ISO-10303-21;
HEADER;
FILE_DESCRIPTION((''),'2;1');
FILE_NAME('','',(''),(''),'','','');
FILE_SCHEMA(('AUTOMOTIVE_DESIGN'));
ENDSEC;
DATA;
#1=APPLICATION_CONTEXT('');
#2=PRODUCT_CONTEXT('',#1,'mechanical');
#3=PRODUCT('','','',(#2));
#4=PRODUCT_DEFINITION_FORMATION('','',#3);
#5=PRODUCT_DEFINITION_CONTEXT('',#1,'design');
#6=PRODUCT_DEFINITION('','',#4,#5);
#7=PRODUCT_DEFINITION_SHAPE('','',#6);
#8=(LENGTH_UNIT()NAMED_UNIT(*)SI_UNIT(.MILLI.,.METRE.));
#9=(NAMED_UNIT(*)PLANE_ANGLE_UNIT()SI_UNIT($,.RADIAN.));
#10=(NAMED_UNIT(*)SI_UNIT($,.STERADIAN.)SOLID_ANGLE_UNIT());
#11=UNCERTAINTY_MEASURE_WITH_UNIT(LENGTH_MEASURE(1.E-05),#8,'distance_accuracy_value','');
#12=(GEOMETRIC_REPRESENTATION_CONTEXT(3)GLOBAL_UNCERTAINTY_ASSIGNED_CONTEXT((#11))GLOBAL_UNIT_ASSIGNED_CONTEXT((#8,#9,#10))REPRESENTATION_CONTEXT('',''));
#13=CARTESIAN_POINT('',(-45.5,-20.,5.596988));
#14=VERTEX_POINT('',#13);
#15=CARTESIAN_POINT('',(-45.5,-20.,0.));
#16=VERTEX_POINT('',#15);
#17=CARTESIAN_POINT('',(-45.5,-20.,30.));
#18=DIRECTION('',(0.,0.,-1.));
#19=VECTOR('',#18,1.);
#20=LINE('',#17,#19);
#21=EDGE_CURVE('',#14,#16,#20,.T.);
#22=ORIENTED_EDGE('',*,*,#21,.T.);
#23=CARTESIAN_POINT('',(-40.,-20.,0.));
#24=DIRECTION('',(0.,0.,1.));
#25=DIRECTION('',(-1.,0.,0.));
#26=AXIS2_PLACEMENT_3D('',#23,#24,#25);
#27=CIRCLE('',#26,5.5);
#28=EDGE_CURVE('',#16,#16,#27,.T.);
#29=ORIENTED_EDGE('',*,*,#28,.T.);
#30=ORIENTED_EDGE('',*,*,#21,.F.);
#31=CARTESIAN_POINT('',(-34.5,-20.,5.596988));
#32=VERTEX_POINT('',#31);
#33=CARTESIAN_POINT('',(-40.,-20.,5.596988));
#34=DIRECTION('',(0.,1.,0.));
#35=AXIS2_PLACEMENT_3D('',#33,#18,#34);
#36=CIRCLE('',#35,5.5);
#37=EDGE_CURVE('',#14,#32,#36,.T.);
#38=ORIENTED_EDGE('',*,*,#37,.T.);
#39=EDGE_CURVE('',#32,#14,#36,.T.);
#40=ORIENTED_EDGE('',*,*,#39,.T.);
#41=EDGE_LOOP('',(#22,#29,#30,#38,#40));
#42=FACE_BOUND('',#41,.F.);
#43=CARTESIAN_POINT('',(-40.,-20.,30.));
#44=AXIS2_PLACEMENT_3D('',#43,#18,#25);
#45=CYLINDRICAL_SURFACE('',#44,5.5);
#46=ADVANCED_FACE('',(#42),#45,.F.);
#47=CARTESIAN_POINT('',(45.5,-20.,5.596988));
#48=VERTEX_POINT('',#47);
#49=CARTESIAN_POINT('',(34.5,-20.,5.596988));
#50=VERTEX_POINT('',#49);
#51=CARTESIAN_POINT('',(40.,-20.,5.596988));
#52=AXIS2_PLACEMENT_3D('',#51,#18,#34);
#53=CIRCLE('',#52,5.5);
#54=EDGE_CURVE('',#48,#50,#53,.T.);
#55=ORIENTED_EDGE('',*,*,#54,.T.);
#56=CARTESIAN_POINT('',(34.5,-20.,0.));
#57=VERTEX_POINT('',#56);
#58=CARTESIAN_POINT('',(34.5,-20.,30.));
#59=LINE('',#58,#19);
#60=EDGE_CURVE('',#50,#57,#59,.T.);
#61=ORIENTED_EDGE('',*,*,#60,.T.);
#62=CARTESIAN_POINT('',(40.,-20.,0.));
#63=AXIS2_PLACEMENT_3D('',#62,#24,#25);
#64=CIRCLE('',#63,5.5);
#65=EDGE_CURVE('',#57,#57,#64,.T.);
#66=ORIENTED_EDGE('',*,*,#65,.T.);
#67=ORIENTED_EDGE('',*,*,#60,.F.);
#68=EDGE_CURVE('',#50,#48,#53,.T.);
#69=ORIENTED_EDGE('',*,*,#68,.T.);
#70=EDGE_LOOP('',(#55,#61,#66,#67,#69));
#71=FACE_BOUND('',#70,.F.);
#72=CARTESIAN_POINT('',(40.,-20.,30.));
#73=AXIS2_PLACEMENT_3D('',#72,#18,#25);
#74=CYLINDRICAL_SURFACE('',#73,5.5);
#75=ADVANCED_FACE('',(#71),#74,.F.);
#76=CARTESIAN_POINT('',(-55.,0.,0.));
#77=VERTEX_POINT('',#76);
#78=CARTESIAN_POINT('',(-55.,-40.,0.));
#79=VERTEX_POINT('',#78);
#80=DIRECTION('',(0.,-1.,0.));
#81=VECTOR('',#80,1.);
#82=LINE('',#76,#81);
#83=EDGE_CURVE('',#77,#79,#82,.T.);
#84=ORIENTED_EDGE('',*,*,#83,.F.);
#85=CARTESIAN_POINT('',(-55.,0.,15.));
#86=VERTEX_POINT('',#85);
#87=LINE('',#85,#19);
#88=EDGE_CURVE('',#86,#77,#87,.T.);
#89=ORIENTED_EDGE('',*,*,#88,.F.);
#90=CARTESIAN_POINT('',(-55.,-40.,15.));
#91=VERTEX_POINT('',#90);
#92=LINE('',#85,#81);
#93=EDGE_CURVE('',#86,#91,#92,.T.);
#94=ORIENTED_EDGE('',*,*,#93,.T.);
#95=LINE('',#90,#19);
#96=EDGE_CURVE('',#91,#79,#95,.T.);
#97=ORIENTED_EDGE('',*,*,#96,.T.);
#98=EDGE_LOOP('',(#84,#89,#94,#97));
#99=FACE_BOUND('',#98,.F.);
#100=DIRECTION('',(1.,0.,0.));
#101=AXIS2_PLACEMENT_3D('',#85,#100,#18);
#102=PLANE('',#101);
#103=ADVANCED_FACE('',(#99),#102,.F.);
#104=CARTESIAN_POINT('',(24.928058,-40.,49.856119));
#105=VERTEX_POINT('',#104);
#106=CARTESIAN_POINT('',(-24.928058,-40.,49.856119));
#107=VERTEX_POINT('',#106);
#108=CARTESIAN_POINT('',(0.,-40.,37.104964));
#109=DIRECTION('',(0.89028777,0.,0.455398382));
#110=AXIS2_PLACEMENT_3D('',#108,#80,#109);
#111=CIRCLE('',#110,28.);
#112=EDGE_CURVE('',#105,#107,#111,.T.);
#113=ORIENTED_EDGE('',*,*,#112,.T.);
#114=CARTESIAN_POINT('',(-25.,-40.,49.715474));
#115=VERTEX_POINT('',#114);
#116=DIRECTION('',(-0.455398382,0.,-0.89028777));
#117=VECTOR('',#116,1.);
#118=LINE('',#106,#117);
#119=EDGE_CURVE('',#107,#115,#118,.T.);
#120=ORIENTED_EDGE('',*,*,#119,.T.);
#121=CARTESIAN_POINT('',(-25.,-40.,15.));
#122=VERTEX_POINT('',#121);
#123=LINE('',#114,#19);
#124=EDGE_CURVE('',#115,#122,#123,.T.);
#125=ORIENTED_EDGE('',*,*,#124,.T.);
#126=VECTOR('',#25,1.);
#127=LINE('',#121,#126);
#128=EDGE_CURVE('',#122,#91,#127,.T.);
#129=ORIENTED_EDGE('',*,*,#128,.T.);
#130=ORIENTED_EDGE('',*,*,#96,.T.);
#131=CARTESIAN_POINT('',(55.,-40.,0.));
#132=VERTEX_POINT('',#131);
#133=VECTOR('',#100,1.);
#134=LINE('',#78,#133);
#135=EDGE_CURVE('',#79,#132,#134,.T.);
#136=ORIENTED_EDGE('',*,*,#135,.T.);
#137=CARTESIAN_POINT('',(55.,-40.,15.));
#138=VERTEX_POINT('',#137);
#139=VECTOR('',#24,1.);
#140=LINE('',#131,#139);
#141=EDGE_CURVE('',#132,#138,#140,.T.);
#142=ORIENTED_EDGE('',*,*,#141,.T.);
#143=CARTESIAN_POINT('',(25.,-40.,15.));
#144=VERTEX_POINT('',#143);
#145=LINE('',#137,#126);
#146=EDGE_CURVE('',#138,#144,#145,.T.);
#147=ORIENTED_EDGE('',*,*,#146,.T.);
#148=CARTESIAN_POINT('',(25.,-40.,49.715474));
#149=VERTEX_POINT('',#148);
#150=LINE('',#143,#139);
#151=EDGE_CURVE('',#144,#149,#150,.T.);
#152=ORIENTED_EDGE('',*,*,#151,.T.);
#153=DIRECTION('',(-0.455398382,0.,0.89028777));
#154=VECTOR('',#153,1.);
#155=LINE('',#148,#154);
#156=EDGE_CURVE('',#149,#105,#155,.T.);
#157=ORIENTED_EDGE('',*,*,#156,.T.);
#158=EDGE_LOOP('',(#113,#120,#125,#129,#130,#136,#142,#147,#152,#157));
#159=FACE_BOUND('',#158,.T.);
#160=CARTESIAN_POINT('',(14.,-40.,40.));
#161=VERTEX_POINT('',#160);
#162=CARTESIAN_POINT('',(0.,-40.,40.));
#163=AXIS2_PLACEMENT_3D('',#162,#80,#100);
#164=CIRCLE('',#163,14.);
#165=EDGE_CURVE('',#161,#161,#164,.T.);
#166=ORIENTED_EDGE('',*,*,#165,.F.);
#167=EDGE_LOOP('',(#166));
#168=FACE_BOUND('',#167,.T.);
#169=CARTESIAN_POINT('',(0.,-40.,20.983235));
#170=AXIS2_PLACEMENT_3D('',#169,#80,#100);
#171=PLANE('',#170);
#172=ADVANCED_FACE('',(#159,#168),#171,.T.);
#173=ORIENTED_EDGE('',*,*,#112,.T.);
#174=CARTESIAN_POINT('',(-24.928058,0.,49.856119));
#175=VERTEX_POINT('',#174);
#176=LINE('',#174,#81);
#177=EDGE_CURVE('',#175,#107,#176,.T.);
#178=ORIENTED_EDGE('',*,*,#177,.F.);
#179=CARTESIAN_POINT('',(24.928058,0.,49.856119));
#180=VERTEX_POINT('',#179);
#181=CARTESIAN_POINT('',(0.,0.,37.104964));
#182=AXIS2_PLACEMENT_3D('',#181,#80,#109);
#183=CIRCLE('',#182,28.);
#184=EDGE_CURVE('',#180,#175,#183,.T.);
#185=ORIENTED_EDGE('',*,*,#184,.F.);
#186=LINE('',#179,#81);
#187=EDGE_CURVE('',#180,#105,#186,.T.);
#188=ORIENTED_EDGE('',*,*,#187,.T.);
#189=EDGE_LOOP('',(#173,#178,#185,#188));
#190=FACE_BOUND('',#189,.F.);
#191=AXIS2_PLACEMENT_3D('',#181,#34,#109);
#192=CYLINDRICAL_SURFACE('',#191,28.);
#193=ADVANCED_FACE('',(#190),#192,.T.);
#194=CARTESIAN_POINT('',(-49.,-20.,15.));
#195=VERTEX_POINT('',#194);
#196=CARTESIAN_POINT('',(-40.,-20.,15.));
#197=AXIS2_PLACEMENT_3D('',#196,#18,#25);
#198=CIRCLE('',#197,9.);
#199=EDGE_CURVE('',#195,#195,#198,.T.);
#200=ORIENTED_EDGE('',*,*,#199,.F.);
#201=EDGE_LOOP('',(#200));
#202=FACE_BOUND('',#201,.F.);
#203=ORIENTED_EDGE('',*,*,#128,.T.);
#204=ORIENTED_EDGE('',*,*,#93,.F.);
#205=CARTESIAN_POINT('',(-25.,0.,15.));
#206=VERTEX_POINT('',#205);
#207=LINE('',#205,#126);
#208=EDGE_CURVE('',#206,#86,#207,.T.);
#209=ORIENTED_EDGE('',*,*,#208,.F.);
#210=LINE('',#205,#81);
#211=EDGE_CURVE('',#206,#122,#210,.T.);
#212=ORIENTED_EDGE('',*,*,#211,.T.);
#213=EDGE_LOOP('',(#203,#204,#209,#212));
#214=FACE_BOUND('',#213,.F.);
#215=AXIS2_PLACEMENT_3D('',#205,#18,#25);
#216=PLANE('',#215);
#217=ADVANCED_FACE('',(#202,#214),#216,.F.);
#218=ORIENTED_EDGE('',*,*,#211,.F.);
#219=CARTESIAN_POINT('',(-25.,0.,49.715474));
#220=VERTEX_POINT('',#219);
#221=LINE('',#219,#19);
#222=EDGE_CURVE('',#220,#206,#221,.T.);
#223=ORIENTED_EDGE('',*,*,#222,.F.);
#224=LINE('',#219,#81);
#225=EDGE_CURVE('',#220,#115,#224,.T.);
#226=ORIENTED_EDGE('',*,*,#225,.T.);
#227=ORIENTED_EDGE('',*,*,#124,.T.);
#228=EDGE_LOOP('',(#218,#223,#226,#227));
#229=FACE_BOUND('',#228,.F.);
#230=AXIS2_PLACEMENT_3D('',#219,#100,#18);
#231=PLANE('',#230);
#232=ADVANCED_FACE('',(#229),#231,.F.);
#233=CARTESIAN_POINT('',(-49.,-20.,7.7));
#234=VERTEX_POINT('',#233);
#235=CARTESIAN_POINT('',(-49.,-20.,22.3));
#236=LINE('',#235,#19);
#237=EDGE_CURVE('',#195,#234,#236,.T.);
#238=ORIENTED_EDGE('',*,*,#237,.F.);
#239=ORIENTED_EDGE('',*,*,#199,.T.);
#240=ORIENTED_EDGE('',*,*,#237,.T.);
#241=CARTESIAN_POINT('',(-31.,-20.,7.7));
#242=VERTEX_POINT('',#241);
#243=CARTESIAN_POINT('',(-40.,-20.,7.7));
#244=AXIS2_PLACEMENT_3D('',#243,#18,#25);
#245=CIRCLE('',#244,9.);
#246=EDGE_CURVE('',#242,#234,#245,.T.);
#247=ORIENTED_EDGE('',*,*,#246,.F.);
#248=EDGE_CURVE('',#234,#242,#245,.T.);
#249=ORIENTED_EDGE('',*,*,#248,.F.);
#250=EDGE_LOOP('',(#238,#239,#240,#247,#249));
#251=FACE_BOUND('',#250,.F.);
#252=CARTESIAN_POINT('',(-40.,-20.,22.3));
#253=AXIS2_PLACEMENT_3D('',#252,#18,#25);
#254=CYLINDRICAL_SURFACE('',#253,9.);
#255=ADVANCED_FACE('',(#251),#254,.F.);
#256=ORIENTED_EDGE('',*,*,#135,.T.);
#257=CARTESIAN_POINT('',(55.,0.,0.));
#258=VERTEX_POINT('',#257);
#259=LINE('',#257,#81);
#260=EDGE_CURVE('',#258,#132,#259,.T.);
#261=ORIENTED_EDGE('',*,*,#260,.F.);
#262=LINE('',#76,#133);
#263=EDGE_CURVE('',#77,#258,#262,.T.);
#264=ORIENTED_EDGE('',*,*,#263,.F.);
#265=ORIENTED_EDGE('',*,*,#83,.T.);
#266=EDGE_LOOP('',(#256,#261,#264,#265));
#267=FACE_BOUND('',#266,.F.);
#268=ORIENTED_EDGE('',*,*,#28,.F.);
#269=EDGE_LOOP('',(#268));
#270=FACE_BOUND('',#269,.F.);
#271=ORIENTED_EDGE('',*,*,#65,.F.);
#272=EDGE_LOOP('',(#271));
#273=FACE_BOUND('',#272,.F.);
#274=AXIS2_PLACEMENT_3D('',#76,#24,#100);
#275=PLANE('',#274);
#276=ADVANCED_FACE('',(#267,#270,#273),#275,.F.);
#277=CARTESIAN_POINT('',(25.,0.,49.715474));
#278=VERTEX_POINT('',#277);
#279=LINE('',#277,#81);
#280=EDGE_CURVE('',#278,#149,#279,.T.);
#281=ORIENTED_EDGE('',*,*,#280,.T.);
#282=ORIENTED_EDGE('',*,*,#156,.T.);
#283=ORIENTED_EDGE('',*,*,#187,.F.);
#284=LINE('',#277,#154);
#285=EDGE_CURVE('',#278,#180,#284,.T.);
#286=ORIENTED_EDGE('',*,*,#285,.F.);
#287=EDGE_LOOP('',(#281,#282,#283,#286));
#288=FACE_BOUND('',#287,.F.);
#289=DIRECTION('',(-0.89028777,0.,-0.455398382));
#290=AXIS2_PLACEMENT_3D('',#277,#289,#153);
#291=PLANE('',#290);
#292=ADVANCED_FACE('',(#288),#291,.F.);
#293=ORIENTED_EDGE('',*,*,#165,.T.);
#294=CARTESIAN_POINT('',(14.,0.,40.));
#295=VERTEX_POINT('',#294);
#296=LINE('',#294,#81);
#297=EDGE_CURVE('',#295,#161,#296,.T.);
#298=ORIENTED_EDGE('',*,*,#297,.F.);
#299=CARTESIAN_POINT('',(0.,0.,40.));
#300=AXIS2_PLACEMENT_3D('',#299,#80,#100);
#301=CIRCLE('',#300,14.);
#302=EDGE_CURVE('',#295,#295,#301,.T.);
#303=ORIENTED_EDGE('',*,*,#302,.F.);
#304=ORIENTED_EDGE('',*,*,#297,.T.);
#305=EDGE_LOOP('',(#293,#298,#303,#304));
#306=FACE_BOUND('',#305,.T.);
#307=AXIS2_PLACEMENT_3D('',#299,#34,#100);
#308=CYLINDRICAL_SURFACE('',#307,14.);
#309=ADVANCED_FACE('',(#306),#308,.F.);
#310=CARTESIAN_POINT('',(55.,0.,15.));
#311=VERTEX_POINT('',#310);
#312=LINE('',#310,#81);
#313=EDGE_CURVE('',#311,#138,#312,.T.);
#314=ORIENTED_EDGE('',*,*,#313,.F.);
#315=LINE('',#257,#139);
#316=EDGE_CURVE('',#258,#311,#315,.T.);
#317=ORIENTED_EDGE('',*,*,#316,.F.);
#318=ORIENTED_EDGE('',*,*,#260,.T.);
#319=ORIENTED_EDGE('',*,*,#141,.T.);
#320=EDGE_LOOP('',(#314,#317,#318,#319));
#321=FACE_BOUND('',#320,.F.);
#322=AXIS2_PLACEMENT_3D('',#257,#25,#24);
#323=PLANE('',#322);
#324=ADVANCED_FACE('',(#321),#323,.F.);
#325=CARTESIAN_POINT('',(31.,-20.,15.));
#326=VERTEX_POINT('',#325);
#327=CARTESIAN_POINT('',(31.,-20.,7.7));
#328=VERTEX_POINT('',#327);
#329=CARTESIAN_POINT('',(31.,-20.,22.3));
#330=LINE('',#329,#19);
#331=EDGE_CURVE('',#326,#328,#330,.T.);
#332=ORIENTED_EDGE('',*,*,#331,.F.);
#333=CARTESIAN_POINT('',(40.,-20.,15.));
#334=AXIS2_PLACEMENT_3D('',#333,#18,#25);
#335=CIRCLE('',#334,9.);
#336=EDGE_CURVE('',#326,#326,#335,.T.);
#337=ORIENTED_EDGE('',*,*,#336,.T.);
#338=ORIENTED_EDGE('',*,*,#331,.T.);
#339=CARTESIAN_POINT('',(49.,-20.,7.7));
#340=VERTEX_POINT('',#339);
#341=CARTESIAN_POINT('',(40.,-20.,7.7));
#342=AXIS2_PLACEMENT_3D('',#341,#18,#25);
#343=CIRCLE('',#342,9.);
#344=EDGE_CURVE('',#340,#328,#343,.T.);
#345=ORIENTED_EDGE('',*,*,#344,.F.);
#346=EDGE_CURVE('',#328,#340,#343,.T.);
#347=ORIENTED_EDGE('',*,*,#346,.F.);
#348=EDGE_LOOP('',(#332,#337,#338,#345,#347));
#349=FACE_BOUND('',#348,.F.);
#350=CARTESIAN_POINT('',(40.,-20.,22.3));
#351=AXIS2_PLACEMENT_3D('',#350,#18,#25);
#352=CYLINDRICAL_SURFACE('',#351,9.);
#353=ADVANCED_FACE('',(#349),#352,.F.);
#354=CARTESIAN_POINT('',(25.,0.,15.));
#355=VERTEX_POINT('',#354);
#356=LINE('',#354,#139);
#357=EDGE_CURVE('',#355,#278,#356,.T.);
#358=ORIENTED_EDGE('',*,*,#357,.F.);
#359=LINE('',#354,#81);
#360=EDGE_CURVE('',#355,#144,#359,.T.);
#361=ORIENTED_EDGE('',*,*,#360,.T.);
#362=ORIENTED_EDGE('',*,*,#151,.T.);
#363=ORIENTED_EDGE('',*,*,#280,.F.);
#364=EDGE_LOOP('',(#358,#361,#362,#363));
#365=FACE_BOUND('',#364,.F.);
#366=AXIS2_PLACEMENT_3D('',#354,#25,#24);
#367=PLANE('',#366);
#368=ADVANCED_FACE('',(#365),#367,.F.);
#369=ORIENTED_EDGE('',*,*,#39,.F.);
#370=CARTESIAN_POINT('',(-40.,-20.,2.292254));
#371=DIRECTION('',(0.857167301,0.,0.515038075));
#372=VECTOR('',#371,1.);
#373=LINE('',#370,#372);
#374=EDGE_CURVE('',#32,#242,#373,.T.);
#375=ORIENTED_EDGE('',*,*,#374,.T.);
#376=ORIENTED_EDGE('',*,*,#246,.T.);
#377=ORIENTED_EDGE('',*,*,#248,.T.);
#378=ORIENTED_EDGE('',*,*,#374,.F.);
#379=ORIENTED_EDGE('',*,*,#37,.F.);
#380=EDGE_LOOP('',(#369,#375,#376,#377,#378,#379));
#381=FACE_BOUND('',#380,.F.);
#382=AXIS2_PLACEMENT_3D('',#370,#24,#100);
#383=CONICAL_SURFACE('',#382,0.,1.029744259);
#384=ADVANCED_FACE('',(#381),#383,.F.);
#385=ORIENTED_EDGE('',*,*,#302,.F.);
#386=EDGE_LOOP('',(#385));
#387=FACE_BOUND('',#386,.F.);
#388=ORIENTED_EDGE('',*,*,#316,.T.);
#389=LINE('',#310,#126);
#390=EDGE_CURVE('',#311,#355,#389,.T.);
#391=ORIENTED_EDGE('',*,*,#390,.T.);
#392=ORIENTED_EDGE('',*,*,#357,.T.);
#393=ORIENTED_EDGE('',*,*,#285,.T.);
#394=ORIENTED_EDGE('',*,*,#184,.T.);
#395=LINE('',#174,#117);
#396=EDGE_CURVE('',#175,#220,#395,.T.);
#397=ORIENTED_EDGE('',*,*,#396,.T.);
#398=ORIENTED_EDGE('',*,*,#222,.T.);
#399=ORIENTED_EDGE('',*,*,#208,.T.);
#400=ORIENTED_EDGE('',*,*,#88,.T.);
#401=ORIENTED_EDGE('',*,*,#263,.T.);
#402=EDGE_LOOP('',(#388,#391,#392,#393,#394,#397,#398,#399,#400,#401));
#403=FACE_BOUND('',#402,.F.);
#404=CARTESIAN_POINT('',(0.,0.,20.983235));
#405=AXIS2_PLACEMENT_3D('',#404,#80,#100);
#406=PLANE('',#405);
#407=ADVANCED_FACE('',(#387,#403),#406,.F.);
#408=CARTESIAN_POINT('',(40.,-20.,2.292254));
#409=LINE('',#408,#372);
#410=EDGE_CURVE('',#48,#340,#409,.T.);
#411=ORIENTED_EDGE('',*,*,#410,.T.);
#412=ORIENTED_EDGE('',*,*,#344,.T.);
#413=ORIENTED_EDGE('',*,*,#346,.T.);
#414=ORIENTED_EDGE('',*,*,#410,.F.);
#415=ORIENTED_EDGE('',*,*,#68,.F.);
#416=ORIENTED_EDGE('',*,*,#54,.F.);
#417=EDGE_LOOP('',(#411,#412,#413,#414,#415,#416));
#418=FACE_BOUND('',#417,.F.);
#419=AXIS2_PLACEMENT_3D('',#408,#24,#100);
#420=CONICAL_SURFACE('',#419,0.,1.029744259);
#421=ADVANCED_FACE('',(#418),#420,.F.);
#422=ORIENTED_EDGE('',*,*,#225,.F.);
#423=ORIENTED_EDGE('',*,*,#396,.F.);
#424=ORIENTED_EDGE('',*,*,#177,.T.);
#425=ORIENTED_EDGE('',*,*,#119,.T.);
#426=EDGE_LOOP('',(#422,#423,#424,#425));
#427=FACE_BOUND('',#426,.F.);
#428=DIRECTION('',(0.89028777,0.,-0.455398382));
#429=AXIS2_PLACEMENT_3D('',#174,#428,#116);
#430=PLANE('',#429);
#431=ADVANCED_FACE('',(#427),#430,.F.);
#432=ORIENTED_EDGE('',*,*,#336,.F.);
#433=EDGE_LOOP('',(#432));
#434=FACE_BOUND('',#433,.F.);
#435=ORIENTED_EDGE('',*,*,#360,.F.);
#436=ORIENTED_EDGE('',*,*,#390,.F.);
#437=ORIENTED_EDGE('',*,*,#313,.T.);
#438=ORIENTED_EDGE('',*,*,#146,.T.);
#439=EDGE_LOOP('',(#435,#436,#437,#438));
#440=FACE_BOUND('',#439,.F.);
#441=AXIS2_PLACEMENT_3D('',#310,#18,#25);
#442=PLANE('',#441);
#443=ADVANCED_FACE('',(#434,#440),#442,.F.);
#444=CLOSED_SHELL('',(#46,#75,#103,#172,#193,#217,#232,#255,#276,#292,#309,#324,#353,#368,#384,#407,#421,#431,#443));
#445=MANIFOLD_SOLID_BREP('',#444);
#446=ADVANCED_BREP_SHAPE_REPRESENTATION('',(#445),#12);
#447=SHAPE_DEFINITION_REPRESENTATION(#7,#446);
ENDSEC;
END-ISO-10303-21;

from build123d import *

# Parameters (mm, degrees)
F0_R     = 14
F1_DEPTH = 40
F3_D     = 18
F3_DEPTH = 7.3
F3_TIP   = 5.4077455712
F4_D     = 11
F4_DEPTH = 15
F4_TIP   = 3.3047334047


with BuildPart() as f1:
    # F0 (on Front) → F1 (new body)
    with BuildSketch(Plane.XZ):
        with BuildLine():
            Line((-55, 15), (-55, 0))
            Line((-55, 0), (55, 0))
            Line((55, 0), (55, 15))
            Line((55, 15), (25, 15))
            Line((25, 15), (25, 49.7154739381))
            Line((25, 49.7154739381), (24.9280575663, 49.8561188579))
            ThreePointArc((24.9280575663, 49.8561188579), (0, 65.1049641661), (-24.9280575663, 49.8561188579))
            Line((-24.9280575663, 49.8561188579), (-25, 49.7154739381))
            Line((-25, 49.7154739381), (-25, 15))
            Line((-25, 15), (-55, 15))
        make_face()
        with Locations((0, 40)):
            Circle(F0_R, mode=Mode.SUBTRACT)
    extrude(amount=F1_DEPTH)

    # F3
    with Locations(Plane.XY.offset(15)):
        with Locations((-40, -20), (40, -20)):
            Hole(F3_D / 2, depth=F3_DEPTH)
            with Locations((0, 0, -(F3_DEPTH + F3_TIP / 2))):  # 118° drill point
                Cone(0, F3_D / 2, F3_TIP, mode=Mode.SUBTRACT)

    # F4
    with Locations(Plane.XY.offset(15)):
        with Locations((-40, -20), (40, -20)):
            Hole(F4_D / 2, depth=F4_DEPTH)
            with Locations((0, 0, -(F4_DEPTH + F4_TIP / 2))):  # 118° drill point
                Cone(0, F4_D / 2, F4_TIP, mode=Mode.SUBTRACT)


solid = f1.part
